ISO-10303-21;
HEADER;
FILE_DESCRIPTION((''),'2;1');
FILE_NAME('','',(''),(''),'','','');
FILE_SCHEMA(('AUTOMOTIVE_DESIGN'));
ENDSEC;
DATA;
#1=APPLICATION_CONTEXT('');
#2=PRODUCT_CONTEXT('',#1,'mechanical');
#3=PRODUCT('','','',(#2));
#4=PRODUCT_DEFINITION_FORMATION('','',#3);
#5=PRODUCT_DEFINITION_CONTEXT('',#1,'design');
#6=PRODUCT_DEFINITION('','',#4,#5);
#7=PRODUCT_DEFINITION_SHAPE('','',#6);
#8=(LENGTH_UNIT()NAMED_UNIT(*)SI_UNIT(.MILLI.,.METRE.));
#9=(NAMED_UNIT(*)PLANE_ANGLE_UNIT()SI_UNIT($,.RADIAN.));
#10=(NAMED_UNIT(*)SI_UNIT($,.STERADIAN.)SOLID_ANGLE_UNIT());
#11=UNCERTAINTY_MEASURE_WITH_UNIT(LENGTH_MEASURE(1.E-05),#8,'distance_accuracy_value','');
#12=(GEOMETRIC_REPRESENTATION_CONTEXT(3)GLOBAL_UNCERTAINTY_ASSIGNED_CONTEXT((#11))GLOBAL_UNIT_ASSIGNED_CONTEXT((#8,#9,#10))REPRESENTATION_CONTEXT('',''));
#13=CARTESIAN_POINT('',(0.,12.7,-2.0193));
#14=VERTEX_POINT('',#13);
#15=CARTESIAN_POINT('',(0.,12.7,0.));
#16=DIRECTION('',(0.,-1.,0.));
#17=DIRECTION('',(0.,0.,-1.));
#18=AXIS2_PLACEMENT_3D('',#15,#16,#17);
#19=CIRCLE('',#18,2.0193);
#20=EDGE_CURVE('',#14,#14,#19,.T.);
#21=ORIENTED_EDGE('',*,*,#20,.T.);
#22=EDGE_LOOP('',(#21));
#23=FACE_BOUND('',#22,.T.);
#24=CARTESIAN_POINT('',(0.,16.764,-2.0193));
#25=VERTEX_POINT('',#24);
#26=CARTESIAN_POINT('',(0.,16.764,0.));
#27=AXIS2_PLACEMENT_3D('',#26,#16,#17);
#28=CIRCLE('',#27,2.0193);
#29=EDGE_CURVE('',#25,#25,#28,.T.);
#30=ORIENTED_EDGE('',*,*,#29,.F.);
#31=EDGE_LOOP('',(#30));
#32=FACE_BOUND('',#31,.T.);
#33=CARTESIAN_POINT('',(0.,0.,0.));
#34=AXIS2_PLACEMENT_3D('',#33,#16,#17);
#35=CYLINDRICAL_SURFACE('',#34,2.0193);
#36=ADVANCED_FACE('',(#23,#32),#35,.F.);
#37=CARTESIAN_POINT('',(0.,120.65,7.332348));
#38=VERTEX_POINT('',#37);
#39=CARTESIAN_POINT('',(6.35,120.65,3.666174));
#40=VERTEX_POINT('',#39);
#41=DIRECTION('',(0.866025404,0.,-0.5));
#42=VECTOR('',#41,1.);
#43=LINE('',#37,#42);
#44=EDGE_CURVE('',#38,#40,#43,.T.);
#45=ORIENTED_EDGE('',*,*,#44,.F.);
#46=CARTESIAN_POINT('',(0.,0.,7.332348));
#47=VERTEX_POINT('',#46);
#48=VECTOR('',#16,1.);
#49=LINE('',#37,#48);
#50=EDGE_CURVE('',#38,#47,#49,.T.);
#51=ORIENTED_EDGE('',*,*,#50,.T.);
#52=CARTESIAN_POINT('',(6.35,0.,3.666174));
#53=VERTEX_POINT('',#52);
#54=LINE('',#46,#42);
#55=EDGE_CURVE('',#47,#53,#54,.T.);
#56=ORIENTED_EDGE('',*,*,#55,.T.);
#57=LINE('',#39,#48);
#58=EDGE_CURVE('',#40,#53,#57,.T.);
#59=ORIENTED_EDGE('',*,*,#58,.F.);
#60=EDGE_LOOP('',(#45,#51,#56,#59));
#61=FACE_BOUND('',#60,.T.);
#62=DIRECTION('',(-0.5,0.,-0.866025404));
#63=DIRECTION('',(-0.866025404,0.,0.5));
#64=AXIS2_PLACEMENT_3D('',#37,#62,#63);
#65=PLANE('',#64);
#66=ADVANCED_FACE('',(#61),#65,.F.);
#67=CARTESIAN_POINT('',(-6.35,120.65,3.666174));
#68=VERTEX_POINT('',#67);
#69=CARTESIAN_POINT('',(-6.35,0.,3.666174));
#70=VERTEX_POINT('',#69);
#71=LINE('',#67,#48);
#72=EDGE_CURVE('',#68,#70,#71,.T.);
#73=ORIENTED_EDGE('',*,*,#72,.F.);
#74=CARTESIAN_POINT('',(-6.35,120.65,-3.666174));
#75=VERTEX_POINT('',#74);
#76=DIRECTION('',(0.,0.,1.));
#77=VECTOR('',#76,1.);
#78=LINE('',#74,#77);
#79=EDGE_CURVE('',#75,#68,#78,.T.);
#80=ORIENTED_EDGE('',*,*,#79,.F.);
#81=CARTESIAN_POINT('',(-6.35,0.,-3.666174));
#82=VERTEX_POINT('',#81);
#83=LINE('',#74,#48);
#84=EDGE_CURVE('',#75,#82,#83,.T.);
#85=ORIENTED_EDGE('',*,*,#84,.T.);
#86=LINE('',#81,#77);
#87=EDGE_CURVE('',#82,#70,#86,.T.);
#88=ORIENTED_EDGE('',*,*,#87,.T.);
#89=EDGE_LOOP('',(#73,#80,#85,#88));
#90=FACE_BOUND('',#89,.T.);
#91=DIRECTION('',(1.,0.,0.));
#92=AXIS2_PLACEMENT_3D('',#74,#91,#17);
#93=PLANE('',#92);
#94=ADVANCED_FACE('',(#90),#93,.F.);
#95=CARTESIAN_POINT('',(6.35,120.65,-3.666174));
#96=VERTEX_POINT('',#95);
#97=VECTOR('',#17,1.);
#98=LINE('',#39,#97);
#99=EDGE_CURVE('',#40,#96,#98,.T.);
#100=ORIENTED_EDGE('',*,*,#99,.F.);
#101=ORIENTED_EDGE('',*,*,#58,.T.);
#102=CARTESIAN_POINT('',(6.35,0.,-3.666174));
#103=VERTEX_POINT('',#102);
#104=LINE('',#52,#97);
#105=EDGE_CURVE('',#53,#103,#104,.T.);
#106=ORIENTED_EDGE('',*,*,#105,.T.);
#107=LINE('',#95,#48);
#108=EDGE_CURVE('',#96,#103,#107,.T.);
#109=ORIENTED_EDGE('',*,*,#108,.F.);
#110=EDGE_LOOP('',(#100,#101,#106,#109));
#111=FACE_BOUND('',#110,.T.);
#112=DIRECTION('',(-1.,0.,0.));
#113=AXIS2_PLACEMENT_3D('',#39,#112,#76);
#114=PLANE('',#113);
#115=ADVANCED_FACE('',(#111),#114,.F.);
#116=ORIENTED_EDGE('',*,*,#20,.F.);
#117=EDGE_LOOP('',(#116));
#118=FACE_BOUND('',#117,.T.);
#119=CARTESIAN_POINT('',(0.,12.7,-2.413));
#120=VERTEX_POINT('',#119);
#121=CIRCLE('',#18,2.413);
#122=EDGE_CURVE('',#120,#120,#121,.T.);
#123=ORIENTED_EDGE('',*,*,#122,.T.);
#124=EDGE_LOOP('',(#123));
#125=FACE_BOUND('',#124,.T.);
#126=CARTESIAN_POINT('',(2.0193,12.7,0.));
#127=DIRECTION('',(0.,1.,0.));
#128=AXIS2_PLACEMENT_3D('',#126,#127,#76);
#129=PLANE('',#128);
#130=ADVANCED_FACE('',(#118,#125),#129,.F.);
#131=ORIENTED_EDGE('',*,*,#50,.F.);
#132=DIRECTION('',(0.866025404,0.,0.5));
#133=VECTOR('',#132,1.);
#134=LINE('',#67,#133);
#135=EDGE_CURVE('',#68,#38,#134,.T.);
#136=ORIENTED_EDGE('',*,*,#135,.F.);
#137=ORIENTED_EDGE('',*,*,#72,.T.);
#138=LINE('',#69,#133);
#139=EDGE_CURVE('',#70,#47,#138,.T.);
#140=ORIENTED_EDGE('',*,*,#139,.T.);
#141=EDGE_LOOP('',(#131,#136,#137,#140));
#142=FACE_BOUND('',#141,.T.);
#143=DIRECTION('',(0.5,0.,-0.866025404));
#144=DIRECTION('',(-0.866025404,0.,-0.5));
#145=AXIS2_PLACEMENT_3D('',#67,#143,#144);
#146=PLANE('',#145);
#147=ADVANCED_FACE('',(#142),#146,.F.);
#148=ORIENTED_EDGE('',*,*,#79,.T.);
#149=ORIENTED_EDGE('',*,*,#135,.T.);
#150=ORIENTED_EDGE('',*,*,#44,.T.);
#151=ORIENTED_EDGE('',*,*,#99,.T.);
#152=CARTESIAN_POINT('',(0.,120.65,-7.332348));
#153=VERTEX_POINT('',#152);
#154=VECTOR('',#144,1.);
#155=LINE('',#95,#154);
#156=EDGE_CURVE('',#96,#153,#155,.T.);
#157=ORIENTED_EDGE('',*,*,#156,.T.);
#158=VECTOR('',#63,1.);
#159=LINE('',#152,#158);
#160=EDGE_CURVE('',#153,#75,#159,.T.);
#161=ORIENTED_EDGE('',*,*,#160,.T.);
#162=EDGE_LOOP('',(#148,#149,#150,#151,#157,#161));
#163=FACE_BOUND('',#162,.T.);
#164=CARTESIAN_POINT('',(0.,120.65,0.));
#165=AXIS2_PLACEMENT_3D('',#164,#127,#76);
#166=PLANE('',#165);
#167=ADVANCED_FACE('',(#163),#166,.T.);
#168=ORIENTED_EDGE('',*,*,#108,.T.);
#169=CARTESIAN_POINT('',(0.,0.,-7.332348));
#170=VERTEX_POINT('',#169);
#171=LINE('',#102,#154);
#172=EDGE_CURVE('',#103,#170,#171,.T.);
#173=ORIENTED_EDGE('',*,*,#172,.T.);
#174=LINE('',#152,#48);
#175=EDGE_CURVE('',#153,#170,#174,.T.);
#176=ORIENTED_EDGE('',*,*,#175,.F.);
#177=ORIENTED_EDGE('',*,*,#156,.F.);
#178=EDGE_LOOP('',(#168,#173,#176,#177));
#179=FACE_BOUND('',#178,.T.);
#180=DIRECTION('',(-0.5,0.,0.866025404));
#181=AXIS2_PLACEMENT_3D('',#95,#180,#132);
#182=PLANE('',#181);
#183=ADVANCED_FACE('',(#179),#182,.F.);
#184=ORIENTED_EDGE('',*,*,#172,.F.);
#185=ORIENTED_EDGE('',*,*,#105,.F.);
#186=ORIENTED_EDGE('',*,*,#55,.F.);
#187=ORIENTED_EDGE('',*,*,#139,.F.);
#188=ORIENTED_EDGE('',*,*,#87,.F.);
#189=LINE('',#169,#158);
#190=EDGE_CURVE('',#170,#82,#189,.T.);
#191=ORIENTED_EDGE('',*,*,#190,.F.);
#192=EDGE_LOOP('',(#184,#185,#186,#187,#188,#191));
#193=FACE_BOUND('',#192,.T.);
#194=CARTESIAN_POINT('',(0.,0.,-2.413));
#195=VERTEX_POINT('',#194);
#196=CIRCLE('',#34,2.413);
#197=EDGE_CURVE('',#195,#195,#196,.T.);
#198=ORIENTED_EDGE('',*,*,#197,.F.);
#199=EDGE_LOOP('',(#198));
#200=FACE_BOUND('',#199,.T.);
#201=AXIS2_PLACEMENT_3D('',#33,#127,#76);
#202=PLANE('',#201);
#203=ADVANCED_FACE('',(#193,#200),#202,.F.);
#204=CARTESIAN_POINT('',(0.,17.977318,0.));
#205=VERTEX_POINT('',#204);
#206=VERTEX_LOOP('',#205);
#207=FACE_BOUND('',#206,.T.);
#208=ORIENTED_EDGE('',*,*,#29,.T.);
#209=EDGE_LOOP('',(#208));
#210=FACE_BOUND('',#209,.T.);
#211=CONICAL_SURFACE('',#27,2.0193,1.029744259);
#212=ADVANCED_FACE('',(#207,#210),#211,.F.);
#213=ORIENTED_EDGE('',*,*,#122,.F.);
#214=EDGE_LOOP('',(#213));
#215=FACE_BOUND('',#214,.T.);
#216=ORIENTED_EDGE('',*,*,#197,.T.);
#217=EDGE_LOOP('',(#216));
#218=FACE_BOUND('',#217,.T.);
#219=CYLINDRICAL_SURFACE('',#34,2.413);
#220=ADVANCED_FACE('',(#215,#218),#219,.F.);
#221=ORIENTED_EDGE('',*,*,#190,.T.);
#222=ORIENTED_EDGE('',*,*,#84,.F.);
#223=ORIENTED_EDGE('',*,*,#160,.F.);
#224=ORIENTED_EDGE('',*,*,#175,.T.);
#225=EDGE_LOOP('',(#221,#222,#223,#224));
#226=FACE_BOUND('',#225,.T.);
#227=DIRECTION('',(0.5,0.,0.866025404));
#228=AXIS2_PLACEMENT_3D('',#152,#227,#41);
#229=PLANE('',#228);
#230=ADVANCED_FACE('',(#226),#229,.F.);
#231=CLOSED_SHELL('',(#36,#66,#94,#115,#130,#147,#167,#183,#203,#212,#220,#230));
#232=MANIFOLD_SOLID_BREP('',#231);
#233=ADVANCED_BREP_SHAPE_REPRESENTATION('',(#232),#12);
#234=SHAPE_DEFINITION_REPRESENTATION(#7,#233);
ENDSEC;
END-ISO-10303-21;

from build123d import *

# Parameters (mm, degrees)
BOSS_EXTRUDE1_DEPTH              = 120.65
F_10_32_TAPPED_HOLE1_D           = 4.0386
F_10_32_TAPPED_HOLE1_DEPTH       = 16.764
F_10_32_TAPPED_HOLE1_CBORE_D     = 4.826
F_10_32_TAPPED_HOLE1_CBORE_DEPTH = 12.7
F_10_32_TAPPED_HOLE1_TIP         = 1.213317848


with BuildPart() as part:
    # Sketch1 → Boss-Extrude1 (new body)
    with BuildSketch(Plane(origin=(0, 0, 0), x_dir=(1, 0, 0), z_dir=(0, 1, 0))):
        Polygon((0, 7.332348419), (-6.35, 3.666174209), (-6.35, -3.666174209), (0, -7.332348419), (6.35, -3.666174209), (6.35, 3.666174209), align=None)
    extrude(amount=BOSS_EXTRUDE1_DEPTH)

    # #10-32 Tapped Hole1
    with Locations(Plane(origin=(0, 0, 0), x_dir=(0, 0, -1), z_dir=(0, -1, 0))):
        with Locations((0, 0)):
            CounterBoreHole(F_10_32_TAPPED_HOLE1_D / 2, F_10_32_TAPPED_HOLE1_CBORE_D / 2, F_10_32_TAPPED_HOLE1_CBORE_DEPTH, depth=F_10_32_TAPPED_HOLE1_DEPTH)
            with Locations((0, 0, -(F_10_32_TAPPED_HOLE1_DEPTH + F_10_32_TAPPED_HOLE1_TIP / 2))):  # 118° drill point
                Cone(0, F_10_32_TAPPED_HOLE1_D / 2, F_10_32_TAPPED_HOLE1_TIP, mode=Mode.SUBTRACT)


solid = part.part
